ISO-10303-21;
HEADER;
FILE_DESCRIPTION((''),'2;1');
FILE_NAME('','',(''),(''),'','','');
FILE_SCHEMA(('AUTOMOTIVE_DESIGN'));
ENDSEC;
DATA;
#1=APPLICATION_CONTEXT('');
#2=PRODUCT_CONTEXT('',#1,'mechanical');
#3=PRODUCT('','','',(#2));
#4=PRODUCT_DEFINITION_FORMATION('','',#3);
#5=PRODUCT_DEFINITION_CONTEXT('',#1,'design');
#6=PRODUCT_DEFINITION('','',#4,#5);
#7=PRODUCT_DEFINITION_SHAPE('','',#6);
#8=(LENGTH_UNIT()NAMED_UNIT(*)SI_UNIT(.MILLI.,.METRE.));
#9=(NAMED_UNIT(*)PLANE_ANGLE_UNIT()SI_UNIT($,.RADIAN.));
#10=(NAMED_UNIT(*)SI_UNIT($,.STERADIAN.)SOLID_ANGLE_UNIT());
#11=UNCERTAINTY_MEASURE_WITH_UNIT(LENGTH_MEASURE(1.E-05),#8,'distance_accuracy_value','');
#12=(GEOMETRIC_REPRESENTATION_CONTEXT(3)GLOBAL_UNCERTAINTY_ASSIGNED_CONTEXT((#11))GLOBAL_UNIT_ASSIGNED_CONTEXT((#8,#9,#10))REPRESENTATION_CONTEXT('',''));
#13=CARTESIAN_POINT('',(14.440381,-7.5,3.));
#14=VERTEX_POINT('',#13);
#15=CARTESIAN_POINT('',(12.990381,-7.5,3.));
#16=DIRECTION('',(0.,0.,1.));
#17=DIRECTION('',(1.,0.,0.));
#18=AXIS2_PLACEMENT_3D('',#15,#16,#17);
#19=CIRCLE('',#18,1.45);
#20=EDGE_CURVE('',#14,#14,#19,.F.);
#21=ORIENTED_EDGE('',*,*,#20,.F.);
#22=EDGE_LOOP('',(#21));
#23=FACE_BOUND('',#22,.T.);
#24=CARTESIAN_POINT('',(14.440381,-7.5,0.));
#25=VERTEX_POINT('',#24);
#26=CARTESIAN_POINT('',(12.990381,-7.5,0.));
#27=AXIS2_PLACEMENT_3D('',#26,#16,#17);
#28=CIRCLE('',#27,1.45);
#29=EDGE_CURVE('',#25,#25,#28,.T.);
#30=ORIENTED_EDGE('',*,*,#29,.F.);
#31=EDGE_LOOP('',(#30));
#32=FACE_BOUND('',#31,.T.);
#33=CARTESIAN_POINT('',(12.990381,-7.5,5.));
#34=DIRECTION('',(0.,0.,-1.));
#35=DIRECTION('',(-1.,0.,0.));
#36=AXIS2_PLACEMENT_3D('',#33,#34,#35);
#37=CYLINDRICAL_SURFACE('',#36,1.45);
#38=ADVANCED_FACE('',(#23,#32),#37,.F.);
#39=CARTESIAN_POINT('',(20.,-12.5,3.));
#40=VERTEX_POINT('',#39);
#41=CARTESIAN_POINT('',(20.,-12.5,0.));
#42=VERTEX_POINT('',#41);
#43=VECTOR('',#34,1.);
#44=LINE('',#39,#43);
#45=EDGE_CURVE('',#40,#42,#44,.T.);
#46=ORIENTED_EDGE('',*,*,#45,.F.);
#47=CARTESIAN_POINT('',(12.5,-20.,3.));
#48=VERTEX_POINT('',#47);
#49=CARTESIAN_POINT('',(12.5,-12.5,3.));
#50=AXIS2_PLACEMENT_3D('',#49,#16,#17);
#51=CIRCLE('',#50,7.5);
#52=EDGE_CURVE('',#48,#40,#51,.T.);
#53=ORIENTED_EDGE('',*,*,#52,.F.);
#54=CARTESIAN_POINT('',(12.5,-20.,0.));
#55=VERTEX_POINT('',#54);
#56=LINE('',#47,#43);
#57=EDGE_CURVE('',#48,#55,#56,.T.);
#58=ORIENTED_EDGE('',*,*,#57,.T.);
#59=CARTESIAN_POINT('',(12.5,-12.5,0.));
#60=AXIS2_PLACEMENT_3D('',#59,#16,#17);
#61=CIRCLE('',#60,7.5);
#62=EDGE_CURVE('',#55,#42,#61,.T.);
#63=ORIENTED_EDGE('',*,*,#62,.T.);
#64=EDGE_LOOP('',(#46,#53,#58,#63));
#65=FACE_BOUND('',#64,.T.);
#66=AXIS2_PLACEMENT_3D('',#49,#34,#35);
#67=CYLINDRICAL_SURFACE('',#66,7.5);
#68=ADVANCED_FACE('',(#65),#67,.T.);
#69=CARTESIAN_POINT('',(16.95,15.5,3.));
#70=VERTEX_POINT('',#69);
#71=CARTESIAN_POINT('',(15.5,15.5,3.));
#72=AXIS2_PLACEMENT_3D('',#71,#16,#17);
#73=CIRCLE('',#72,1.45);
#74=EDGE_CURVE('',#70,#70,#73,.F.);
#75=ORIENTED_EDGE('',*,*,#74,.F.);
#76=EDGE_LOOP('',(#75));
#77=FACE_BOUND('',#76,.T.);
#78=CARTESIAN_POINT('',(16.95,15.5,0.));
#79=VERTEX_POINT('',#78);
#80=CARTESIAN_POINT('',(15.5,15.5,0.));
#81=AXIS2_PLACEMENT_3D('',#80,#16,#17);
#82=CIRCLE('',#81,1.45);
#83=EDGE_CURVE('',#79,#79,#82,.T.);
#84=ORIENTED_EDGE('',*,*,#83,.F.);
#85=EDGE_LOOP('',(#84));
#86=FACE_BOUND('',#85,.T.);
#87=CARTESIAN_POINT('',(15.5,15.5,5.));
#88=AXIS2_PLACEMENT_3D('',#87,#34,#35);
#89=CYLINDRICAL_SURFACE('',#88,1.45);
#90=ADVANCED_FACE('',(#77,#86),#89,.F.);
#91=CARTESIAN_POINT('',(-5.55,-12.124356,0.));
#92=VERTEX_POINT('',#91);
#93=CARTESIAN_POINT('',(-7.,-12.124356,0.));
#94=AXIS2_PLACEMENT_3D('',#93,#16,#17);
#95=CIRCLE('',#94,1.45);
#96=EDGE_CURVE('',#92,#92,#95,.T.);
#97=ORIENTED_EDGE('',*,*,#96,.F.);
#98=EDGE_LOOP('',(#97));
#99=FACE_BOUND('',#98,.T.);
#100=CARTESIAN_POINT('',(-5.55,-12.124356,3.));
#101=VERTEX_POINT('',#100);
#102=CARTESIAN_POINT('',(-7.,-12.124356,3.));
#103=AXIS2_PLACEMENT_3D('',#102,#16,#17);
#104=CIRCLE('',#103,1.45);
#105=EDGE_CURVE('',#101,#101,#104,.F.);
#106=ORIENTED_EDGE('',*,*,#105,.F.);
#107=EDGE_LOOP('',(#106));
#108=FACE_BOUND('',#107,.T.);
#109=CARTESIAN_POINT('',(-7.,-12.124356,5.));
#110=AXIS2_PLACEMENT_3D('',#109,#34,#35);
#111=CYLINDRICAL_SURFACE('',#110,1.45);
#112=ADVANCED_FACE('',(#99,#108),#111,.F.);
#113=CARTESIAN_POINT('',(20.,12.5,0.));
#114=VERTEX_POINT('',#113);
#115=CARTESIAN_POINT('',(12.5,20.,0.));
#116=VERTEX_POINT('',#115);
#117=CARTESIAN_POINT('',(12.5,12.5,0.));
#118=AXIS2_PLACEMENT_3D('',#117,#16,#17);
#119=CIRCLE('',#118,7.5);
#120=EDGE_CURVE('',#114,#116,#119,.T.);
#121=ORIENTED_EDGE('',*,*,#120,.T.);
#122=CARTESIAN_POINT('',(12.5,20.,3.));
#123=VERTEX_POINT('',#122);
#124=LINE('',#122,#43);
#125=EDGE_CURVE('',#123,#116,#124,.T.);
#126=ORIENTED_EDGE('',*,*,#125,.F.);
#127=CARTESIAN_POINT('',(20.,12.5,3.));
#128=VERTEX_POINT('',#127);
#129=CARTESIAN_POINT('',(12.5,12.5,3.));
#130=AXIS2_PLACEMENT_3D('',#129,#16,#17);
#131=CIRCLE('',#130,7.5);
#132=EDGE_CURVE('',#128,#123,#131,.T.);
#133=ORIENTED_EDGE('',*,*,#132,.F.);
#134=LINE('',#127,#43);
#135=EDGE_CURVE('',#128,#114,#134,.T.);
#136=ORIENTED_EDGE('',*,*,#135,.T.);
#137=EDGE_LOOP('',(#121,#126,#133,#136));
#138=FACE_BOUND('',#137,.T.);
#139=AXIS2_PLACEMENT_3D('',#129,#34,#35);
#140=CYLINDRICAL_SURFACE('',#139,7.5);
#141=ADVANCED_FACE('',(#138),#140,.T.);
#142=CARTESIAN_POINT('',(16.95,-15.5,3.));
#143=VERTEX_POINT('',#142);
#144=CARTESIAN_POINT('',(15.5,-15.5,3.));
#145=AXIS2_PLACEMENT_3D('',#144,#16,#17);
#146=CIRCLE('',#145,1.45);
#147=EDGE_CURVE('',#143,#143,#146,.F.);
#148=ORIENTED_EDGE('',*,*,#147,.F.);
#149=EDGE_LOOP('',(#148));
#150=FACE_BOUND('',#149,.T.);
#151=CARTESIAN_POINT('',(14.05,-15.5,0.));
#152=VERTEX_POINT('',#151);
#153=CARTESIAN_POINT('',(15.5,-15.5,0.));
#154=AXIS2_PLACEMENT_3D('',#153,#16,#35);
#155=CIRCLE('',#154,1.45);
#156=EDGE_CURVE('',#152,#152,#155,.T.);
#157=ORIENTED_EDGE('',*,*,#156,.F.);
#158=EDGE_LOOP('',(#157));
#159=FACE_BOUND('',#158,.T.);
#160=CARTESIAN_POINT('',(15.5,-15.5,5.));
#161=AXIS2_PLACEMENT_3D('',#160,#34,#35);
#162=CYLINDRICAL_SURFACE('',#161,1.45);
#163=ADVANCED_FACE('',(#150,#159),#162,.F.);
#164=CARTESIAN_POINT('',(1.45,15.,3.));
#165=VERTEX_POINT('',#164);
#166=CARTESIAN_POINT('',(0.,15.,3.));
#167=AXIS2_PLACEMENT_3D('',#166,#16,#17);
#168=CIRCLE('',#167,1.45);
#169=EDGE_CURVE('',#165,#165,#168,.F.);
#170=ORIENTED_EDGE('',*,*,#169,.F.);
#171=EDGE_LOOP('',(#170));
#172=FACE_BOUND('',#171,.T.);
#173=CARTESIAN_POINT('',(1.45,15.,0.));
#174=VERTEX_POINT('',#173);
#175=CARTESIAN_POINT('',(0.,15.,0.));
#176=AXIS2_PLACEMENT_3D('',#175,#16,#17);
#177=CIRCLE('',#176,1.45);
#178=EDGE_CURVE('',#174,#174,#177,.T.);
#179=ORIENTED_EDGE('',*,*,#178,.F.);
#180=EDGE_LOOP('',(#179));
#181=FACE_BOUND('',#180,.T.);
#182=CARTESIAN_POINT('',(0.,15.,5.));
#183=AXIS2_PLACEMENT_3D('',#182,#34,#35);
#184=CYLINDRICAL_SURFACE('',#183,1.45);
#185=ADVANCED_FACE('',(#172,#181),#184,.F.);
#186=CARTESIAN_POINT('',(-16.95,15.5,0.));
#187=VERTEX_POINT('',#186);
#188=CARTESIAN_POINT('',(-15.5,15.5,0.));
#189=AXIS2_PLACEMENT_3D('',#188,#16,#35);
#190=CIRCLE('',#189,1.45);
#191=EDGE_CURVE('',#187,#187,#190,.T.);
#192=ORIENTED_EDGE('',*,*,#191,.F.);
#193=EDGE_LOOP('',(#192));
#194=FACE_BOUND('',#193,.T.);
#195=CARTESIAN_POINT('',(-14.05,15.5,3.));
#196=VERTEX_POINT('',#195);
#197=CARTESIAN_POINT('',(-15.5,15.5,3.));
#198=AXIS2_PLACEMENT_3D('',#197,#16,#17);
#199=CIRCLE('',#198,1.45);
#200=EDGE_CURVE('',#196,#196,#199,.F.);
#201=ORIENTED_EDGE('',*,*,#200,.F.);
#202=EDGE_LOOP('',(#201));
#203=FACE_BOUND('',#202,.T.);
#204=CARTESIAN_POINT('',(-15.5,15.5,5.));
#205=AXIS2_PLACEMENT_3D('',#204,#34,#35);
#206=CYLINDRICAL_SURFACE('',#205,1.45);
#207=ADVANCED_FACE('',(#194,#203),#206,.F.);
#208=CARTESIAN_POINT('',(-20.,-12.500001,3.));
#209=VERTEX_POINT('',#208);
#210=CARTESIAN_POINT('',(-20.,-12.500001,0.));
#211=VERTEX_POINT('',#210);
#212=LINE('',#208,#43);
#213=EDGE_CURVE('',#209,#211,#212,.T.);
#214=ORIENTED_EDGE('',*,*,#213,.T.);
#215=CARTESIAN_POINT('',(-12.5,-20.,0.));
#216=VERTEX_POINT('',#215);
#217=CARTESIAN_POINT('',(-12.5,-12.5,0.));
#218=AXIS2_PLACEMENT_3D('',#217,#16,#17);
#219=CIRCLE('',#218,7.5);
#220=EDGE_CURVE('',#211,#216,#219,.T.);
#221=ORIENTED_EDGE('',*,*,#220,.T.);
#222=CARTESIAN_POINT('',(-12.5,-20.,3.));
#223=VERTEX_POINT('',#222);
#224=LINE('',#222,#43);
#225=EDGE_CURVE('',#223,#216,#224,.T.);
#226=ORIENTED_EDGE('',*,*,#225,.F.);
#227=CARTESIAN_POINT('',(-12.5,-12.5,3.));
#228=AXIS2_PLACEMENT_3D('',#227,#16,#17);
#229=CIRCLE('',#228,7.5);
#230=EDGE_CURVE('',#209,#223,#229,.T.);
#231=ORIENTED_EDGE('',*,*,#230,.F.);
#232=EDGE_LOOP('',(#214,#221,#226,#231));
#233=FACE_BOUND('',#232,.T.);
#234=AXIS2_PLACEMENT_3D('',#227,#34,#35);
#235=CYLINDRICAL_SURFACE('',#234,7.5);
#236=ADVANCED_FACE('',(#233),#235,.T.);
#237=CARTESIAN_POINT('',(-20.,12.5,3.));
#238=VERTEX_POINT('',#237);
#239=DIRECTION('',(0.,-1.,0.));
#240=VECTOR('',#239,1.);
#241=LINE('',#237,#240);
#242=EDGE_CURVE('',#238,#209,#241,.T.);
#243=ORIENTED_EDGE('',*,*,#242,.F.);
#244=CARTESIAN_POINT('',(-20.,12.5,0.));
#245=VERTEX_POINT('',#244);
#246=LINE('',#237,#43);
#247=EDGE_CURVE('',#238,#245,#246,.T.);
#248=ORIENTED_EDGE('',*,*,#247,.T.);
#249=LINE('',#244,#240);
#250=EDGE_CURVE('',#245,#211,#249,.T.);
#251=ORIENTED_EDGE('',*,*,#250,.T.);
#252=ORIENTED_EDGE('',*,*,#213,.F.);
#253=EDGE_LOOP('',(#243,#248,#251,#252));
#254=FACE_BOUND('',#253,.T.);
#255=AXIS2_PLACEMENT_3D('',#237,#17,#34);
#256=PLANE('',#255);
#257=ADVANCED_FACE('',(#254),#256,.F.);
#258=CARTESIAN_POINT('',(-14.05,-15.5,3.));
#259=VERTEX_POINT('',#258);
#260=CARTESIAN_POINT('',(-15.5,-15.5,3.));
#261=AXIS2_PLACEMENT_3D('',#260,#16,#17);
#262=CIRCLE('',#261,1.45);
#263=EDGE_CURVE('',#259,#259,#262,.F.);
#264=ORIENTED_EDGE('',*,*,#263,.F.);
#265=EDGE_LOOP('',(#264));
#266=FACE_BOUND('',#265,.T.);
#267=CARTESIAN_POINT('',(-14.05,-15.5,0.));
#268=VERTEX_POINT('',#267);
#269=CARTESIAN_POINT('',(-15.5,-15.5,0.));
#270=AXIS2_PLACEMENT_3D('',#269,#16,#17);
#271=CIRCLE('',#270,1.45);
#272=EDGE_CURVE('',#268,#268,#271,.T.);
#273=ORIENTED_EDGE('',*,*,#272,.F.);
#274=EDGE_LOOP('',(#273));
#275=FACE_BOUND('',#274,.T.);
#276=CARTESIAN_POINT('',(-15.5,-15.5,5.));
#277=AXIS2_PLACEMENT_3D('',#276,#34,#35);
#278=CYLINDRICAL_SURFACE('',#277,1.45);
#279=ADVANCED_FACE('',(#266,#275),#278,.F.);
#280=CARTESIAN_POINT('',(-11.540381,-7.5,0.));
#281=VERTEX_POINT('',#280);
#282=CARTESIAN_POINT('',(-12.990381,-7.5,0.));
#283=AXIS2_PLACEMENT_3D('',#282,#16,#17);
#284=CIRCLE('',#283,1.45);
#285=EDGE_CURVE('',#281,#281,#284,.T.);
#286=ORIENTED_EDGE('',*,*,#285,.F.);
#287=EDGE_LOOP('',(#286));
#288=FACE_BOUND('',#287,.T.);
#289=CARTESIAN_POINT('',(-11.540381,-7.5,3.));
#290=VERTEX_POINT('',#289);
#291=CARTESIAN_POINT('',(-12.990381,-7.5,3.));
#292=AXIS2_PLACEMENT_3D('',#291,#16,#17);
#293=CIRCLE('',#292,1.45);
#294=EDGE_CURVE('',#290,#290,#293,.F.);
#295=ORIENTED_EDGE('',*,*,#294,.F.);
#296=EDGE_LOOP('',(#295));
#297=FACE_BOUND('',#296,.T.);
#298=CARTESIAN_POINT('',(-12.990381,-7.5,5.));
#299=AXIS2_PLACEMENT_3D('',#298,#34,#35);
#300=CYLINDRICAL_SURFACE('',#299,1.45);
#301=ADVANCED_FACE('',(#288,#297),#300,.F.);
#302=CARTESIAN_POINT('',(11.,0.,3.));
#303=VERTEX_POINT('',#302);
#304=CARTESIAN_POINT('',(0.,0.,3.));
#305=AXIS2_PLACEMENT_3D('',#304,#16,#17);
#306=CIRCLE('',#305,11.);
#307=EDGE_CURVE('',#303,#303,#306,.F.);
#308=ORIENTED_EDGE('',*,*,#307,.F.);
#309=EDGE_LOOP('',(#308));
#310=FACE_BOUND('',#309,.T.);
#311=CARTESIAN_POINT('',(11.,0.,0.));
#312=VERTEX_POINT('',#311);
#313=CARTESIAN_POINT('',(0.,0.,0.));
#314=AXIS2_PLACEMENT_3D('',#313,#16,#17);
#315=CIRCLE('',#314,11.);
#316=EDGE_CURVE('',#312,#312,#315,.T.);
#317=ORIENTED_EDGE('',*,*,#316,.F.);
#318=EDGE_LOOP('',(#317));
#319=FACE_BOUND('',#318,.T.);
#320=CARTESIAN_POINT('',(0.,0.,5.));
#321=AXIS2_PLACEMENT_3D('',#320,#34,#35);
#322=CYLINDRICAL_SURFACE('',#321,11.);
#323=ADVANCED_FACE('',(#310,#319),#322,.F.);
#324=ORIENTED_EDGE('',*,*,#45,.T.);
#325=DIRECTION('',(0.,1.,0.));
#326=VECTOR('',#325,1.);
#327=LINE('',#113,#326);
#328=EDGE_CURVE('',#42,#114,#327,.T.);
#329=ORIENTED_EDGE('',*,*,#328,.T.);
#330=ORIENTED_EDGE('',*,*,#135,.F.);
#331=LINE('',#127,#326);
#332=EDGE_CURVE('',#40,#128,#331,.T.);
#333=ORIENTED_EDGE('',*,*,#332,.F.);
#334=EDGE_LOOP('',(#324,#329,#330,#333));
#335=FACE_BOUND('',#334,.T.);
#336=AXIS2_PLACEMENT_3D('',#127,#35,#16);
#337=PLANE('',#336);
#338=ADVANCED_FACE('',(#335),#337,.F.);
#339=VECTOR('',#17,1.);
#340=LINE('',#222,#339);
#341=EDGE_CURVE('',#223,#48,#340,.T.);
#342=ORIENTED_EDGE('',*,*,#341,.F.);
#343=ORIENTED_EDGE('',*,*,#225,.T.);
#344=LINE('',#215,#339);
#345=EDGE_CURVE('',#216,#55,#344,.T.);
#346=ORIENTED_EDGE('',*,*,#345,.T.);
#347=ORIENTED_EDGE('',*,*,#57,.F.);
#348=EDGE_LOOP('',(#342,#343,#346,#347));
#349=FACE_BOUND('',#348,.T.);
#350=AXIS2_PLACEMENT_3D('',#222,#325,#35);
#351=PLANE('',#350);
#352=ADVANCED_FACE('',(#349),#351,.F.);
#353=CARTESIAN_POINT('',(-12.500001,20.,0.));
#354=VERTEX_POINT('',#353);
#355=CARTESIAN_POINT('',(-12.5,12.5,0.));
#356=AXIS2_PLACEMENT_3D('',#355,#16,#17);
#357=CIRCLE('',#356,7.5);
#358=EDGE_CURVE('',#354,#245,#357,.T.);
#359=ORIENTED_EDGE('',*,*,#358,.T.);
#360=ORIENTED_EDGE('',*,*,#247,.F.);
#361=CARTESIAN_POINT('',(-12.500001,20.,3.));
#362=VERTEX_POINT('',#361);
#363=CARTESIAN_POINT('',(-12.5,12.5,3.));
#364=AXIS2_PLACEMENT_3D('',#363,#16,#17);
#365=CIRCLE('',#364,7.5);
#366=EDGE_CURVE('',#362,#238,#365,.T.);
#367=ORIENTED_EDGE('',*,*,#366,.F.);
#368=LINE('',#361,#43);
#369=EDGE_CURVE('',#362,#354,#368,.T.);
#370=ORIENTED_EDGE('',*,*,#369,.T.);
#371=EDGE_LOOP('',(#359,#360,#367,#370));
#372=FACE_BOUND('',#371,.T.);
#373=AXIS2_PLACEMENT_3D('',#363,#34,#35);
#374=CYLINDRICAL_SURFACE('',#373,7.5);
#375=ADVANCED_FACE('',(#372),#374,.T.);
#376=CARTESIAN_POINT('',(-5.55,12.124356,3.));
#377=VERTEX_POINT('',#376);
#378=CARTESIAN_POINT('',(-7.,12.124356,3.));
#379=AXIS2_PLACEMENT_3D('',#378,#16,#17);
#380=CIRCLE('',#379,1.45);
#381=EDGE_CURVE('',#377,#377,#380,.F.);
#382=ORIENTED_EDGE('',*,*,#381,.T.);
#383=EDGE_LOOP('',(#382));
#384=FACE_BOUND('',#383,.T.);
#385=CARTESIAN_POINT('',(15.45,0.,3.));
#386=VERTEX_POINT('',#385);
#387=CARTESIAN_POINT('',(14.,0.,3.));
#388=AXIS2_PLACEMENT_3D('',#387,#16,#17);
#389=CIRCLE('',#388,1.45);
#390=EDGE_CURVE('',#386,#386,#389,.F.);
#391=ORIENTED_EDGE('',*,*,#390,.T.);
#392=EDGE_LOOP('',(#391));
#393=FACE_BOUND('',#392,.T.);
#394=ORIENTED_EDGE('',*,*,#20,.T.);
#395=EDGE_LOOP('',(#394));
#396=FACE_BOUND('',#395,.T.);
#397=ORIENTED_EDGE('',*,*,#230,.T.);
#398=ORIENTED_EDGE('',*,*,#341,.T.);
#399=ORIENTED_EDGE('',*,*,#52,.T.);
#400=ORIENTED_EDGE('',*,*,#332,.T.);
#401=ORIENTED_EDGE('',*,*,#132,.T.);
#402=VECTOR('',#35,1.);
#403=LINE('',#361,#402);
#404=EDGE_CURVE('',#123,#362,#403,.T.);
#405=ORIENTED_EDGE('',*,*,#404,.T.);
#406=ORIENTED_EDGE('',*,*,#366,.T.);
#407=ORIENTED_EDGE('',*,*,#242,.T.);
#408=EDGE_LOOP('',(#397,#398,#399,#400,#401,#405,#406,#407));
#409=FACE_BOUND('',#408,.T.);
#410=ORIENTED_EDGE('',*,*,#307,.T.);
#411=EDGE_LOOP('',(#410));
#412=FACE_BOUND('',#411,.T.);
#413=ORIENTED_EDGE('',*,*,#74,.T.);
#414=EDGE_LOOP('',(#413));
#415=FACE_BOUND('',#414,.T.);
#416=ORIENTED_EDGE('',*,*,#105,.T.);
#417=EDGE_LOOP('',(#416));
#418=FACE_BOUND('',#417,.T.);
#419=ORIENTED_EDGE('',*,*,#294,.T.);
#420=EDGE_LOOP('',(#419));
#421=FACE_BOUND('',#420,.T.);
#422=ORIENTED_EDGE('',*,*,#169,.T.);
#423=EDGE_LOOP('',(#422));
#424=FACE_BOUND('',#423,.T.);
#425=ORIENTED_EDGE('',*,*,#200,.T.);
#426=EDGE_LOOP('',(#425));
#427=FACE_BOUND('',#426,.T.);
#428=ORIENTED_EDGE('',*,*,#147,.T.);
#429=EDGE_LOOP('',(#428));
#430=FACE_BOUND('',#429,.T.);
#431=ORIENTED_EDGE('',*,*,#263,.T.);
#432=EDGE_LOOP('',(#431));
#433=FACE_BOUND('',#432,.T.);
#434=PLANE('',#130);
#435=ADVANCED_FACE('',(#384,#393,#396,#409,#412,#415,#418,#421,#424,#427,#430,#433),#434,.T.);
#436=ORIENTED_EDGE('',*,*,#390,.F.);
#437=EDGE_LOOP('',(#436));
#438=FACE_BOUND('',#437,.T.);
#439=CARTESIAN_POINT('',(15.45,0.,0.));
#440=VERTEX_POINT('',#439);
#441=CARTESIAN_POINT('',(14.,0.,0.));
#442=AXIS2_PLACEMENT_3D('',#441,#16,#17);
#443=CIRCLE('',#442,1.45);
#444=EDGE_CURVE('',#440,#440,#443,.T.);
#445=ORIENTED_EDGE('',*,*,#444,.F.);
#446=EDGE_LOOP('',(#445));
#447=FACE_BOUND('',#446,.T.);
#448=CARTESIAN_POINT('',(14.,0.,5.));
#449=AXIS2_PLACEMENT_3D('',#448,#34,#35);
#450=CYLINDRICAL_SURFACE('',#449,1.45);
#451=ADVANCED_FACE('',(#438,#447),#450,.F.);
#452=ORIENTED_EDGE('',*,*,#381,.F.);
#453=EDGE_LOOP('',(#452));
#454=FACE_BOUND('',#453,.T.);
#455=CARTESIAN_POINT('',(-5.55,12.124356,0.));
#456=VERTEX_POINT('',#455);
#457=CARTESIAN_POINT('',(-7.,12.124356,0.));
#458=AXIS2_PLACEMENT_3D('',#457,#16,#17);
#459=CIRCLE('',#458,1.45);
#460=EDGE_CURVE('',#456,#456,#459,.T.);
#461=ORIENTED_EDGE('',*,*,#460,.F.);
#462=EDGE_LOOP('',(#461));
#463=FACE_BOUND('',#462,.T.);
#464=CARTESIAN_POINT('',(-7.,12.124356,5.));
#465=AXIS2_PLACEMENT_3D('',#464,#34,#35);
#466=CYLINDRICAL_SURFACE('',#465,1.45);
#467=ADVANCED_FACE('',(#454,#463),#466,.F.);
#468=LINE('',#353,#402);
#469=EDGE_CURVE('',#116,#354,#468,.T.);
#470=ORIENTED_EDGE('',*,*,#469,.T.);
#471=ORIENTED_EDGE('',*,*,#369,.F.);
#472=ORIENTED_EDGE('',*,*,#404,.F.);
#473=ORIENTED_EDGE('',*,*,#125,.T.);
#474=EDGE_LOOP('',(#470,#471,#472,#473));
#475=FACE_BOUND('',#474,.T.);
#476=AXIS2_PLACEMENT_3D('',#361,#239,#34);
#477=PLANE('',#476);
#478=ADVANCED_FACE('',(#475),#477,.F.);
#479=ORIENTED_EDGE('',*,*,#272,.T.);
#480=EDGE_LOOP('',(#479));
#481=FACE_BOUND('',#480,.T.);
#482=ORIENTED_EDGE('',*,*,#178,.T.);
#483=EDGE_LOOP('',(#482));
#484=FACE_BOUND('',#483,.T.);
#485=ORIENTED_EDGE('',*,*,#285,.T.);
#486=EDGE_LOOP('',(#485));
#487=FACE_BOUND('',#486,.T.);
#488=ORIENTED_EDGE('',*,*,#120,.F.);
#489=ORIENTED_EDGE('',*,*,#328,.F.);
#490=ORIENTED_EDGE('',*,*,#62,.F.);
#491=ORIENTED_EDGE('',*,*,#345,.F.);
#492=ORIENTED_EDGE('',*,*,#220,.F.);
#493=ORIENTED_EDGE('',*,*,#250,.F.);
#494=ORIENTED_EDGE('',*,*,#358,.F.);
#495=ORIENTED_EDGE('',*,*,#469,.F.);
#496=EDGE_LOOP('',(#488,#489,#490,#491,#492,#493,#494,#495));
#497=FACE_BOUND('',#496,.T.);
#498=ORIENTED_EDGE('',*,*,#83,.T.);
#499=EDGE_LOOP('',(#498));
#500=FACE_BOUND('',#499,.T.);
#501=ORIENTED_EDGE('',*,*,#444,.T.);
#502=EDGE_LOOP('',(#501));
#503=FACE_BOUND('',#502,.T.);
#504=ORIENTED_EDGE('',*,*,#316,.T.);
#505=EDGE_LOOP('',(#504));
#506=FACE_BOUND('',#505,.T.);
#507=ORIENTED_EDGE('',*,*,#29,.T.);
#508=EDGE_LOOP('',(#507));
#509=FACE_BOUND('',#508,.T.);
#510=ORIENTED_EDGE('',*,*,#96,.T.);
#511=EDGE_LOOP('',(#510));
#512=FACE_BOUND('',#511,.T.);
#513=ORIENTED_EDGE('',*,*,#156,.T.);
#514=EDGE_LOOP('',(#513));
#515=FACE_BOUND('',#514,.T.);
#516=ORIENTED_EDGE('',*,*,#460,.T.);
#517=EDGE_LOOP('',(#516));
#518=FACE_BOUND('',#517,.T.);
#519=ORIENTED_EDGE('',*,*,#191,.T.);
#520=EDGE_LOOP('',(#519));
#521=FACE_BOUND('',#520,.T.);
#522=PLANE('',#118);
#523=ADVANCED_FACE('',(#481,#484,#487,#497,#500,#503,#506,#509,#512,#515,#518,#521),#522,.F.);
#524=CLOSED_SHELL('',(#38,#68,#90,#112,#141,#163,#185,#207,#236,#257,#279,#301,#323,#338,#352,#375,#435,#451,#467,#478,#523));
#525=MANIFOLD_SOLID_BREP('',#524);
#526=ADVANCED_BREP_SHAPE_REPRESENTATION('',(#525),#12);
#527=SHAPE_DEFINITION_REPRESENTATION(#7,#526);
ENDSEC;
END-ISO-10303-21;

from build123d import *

# Parameters (mm, degrees)
EXTRUDE_1_DEPTH     = 3
SKETCH_2_R          = 1.45
SKETCH_2_R_2        = 11
CUT_EXTRUDE_1_DEPTH = 5


with BuildPart() as part:
    # 草图1 → 凸台-拉伸1 (new body)
    with BuildSketch(Plane.XY):
        with BuildLine():
            Line((-12.500001384, 20), (12.499999997, 20))
            ThreePointArc((12.499999997, 20), (17.803300858, 17.80330086), (20, 12.5))
            Line((20, 12.5), (20, -12.5))
            ThreePointArc((20, -12.5), (17.803300859, -17.803300859), (12.5, -20))
            Line((12.5, -20), (-12.5, -20))
            ThreePointArc((-12.5, -20), (-17.80330064, -17.803301077), (-20, -12.500000618))
            Line((-20, -12.500000618), (-20, 12.5))
            ThreePointArc((-20, 12.5), (-17.803301348, 17.80330037), (-12.500001384, 20))
        make_face()
    extrude(amount=EXTRUDE_1_DEPTH)

    # 草图2 → 切除-拉伸1 (cut)
    with BuildSketch(Plane.XY):
        with Locations((15.5, 15.5)):
            Circle(SKETCH_2_R)
        with Locations(Location((-15.5, 15.5, 0), (0, 0, 180))):
            Circle(SKETCH_2_R)
        with Locations(Location((15.5, -15.5, 0), (0, 0, 180))):
            Circle(SKETCH_2_R)
        with Locations((-15.5, -15.5)):
            Circle(SKETCH_2_R)
        with Locations((0, 15)):
            Circle(SKETCH_2_R)
        with Locations((14, 0)):
            Circle(SKETCH_2_R)
        with Locations((-7, -12.124355653)):
            Circle(SKETCH_2_R)
        with Locations((-12.990381057, -7.5)):
            Circle(SKETCH_2_R)
        with Locations((12.990381057, -7.5)):
            Circle(SKETCH_2_R)
        with Locations((-7, 12.124355653)):
            Circle(SKETCH_2_R)
        Circle(SKETCH_2_R_2)
    extrude(amount=CUT_EXTRUDE_1_DEPTH, mode=Mode.SUBTRACT)


solid = part.part
